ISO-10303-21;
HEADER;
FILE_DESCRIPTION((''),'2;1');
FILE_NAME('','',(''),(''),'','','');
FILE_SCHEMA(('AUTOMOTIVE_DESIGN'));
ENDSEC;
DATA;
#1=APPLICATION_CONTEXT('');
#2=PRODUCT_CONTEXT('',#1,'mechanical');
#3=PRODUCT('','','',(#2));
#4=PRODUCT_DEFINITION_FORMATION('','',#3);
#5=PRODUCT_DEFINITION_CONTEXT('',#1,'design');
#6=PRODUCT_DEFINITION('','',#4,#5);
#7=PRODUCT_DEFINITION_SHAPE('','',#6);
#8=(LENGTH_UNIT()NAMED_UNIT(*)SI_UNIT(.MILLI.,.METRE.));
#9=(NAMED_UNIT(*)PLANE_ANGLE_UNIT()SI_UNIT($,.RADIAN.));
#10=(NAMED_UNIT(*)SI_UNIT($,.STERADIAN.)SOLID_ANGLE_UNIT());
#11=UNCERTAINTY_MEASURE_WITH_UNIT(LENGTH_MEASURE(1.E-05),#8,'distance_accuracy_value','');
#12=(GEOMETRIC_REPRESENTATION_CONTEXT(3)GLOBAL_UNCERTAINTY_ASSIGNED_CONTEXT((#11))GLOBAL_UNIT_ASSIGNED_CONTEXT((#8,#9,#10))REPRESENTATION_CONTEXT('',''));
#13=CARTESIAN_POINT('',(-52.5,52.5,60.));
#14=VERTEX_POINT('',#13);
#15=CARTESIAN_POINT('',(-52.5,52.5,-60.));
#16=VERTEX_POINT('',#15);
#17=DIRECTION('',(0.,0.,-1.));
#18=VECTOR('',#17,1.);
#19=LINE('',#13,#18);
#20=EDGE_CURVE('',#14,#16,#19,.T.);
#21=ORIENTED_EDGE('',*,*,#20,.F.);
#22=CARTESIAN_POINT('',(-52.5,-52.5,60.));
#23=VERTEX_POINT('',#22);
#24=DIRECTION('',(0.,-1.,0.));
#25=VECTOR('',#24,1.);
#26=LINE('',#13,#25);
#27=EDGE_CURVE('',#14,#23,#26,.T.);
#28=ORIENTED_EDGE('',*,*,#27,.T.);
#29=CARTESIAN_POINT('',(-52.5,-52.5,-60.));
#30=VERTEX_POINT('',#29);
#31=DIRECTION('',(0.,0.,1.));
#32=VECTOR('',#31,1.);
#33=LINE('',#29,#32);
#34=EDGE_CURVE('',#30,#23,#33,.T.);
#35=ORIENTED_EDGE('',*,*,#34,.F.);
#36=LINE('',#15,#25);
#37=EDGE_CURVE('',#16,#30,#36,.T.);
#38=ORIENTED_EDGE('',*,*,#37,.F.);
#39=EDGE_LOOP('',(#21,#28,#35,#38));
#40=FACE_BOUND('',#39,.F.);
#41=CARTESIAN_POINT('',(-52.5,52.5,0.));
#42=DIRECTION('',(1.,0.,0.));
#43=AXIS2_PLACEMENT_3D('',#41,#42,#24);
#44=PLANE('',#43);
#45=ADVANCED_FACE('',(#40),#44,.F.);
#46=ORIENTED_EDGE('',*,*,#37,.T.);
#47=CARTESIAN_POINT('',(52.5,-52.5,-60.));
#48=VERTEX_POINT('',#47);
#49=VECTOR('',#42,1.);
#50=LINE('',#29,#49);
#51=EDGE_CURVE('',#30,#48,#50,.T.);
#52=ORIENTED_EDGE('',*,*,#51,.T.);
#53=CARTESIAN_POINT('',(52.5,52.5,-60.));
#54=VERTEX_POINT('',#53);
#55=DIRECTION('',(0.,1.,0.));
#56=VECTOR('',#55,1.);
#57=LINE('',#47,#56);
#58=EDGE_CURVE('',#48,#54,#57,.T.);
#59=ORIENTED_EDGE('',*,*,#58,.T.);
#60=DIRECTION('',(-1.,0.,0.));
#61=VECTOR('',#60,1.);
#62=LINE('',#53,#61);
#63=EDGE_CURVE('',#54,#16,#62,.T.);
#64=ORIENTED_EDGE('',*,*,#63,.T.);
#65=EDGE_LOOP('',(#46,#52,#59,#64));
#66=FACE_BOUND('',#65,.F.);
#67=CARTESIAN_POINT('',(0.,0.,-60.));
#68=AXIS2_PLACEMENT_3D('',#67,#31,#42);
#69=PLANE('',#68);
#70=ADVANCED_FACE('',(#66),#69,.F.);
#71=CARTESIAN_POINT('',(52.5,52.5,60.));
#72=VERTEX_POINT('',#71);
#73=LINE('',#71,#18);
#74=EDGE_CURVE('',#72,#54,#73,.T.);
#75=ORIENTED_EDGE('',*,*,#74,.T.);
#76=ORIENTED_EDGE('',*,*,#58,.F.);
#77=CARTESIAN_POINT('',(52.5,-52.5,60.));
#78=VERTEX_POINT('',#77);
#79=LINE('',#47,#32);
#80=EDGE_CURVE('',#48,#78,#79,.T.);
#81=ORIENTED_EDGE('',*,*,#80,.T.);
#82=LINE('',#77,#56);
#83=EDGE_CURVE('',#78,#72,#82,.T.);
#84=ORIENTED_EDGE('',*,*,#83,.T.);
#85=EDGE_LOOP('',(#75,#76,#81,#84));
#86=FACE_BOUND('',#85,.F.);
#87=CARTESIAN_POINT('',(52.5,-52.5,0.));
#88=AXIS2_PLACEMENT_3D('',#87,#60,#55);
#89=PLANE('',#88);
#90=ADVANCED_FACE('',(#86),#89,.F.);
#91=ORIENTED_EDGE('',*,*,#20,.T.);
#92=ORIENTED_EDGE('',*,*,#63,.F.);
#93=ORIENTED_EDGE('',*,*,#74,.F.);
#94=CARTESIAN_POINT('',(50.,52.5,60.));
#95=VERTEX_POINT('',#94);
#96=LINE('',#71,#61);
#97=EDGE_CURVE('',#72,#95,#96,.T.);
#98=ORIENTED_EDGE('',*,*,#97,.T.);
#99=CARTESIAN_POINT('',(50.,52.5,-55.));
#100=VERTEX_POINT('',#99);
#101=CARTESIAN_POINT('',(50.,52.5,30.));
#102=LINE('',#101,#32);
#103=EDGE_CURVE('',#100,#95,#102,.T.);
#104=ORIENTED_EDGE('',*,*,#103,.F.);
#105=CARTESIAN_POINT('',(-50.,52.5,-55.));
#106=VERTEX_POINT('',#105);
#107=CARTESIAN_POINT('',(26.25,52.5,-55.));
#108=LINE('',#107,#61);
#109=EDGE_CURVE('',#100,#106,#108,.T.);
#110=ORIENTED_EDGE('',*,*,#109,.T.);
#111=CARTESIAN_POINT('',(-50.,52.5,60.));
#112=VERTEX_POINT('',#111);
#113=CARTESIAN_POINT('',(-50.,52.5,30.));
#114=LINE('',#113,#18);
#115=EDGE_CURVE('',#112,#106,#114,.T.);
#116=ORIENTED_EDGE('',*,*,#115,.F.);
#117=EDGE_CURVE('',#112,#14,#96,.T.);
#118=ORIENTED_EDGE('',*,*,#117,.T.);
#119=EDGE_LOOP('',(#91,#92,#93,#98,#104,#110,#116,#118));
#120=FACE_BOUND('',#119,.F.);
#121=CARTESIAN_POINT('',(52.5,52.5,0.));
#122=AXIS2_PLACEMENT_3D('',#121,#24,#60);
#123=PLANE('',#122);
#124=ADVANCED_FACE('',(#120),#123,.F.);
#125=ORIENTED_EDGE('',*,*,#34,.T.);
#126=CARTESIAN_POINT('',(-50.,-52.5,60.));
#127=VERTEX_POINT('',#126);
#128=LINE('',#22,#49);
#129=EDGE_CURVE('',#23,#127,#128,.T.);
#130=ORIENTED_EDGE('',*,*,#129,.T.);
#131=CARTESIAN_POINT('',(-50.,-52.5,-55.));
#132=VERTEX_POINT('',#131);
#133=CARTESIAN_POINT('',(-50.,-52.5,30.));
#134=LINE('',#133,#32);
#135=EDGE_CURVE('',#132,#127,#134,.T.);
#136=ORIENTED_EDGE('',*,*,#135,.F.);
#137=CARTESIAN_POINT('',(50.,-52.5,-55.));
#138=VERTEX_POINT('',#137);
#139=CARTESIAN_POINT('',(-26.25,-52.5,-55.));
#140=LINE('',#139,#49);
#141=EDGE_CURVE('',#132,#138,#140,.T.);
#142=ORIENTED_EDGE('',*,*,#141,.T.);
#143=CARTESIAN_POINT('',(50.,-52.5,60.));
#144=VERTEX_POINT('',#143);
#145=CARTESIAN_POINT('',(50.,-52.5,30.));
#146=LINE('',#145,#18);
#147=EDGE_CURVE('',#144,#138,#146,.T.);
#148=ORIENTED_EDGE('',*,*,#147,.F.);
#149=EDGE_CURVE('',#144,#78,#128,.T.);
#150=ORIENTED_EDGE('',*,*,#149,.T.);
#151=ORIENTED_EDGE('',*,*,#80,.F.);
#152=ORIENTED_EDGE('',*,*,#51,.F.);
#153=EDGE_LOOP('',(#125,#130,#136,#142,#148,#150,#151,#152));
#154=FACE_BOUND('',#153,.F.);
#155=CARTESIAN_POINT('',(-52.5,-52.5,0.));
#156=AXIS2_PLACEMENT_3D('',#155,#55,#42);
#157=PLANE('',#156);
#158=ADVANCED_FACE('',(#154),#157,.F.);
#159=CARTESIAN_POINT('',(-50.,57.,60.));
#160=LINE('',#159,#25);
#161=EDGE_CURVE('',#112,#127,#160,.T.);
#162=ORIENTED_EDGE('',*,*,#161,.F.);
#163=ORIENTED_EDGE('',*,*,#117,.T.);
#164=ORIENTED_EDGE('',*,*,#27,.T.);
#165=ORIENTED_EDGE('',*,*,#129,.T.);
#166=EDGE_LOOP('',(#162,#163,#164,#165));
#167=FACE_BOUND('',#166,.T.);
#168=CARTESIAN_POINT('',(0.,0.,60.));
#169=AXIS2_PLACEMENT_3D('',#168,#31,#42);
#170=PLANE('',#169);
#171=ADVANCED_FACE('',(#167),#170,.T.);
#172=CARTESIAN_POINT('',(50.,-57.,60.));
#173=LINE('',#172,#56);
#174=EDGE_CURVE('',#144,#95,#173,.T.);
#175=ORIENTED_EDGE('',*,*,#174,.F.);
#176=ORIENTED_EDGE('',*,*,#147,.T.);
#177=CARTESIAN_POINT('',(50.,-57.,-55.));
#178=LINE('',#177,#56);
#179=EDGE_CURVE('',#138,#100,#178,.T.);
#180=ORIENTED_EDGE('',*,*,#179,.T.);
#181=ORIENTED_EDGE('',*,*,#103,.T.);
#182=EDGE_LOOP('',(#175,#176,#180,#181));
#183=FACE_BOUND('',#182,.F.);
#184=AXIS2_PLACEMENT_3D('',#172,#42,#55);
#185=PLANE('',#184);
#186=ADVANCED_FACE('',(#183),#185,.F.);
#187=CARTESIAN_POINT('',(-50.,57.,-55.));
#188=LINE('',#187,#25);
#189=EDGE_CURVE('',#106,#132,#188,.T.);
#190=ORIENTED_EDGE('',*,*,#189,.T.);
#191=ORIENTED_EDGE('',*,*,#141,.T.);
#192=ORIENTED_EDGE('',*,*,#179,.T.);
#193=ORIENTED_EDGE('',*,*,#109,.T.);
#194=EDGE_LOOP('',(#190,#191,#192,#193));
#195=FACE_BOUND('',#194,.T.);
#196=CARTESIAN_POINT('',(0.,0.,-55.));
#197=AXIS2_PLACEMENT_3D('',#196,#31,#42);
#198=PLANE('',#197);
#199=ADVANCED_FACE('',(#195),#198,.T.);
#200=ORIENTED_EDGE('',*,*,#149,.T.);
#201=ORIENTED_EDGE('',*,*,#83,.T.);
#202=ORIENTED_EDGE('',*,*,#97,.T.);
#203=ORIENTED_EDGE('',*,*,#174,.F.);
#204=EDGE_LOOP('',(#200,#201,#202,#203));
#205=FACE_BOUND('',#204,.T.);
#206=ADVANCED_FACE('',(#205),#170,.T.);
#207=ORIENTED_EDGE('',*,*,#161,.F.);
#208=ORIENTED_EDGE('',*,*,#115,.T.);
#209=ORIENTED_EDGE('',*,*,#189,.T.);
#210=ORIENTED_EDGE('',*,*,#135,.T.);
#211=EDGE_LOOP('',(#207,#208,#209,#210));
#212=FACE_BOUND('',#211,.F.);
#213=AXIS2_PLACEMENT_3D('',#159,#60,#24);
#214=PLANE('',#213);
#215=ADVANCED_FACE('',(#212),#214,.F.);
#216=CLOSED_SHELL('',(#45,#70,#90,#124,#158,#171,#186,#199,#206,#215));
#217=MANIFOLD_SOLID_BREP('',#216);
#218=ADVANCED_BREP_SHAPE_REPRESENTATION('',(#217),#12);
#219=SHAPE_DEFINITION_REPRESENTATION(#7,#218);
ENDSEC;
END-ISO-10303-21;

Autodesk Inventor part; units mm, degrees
ref_plane "YZ Plane" through (0, 0, 0) normal (1, 0, 0) x (0, 1, 0)
ref_plane "XZ Plane" through (0, 0, 0) normal (0, 1, 0) x (-1, 0, 0)
ref_plane "XY Plane" through (0, 0, 0) normal (0, 0, 1) x (1, 0, 0)
sketch "Sketch2" plane through (0, 0, 0) normal (0, 0, 1) x (1, 0, 0)
  line L0 (-52.5, -52.5) -> (52.5, -52.5)
  line L1 (52.5, -52.5) -> (52.5, 52.5)
  line L2 (52.5, 52.5) -> (-52.5, 52.5)
  line L3 (-52.5, 52.5) -> (-52.5, -52.5)
  line L4 (-52.5, -52.5) -> (52.5, 52.5) construction
  line L5 (52.5, -52.5) -> (-52.5, 52.5) construction
  point P0 (0, 0)
  dimension "cameraholderside" = 105
  dimension "d1" = 105
extrude "Extrusion1" add sketch "Sketch2" along normal mid plane 120
sketch "Sketch3" plane through (0, 0, 60) normal (0, 0, 1) x (1, 0, 0)
  line L0 (-50, -57) -> (50, -57)
  line L1 (50, -57) -> (50, 57)
  line L2 (50, 57) -> (-50, 57)
  line L3 (-50, 57) -> (-50, -57)
  line L4 (-50, -57) -> (50, 57) construction
  line L5 (50, -57) -> (-50, 57) construction
  point P0 (0, 0)
  dimension "d4" = 100
  dimension "d5" = 114
extrude "Extrusion2" cut sketch "Sketch3" against normal blind 115
properties part number "CameraHolder"
